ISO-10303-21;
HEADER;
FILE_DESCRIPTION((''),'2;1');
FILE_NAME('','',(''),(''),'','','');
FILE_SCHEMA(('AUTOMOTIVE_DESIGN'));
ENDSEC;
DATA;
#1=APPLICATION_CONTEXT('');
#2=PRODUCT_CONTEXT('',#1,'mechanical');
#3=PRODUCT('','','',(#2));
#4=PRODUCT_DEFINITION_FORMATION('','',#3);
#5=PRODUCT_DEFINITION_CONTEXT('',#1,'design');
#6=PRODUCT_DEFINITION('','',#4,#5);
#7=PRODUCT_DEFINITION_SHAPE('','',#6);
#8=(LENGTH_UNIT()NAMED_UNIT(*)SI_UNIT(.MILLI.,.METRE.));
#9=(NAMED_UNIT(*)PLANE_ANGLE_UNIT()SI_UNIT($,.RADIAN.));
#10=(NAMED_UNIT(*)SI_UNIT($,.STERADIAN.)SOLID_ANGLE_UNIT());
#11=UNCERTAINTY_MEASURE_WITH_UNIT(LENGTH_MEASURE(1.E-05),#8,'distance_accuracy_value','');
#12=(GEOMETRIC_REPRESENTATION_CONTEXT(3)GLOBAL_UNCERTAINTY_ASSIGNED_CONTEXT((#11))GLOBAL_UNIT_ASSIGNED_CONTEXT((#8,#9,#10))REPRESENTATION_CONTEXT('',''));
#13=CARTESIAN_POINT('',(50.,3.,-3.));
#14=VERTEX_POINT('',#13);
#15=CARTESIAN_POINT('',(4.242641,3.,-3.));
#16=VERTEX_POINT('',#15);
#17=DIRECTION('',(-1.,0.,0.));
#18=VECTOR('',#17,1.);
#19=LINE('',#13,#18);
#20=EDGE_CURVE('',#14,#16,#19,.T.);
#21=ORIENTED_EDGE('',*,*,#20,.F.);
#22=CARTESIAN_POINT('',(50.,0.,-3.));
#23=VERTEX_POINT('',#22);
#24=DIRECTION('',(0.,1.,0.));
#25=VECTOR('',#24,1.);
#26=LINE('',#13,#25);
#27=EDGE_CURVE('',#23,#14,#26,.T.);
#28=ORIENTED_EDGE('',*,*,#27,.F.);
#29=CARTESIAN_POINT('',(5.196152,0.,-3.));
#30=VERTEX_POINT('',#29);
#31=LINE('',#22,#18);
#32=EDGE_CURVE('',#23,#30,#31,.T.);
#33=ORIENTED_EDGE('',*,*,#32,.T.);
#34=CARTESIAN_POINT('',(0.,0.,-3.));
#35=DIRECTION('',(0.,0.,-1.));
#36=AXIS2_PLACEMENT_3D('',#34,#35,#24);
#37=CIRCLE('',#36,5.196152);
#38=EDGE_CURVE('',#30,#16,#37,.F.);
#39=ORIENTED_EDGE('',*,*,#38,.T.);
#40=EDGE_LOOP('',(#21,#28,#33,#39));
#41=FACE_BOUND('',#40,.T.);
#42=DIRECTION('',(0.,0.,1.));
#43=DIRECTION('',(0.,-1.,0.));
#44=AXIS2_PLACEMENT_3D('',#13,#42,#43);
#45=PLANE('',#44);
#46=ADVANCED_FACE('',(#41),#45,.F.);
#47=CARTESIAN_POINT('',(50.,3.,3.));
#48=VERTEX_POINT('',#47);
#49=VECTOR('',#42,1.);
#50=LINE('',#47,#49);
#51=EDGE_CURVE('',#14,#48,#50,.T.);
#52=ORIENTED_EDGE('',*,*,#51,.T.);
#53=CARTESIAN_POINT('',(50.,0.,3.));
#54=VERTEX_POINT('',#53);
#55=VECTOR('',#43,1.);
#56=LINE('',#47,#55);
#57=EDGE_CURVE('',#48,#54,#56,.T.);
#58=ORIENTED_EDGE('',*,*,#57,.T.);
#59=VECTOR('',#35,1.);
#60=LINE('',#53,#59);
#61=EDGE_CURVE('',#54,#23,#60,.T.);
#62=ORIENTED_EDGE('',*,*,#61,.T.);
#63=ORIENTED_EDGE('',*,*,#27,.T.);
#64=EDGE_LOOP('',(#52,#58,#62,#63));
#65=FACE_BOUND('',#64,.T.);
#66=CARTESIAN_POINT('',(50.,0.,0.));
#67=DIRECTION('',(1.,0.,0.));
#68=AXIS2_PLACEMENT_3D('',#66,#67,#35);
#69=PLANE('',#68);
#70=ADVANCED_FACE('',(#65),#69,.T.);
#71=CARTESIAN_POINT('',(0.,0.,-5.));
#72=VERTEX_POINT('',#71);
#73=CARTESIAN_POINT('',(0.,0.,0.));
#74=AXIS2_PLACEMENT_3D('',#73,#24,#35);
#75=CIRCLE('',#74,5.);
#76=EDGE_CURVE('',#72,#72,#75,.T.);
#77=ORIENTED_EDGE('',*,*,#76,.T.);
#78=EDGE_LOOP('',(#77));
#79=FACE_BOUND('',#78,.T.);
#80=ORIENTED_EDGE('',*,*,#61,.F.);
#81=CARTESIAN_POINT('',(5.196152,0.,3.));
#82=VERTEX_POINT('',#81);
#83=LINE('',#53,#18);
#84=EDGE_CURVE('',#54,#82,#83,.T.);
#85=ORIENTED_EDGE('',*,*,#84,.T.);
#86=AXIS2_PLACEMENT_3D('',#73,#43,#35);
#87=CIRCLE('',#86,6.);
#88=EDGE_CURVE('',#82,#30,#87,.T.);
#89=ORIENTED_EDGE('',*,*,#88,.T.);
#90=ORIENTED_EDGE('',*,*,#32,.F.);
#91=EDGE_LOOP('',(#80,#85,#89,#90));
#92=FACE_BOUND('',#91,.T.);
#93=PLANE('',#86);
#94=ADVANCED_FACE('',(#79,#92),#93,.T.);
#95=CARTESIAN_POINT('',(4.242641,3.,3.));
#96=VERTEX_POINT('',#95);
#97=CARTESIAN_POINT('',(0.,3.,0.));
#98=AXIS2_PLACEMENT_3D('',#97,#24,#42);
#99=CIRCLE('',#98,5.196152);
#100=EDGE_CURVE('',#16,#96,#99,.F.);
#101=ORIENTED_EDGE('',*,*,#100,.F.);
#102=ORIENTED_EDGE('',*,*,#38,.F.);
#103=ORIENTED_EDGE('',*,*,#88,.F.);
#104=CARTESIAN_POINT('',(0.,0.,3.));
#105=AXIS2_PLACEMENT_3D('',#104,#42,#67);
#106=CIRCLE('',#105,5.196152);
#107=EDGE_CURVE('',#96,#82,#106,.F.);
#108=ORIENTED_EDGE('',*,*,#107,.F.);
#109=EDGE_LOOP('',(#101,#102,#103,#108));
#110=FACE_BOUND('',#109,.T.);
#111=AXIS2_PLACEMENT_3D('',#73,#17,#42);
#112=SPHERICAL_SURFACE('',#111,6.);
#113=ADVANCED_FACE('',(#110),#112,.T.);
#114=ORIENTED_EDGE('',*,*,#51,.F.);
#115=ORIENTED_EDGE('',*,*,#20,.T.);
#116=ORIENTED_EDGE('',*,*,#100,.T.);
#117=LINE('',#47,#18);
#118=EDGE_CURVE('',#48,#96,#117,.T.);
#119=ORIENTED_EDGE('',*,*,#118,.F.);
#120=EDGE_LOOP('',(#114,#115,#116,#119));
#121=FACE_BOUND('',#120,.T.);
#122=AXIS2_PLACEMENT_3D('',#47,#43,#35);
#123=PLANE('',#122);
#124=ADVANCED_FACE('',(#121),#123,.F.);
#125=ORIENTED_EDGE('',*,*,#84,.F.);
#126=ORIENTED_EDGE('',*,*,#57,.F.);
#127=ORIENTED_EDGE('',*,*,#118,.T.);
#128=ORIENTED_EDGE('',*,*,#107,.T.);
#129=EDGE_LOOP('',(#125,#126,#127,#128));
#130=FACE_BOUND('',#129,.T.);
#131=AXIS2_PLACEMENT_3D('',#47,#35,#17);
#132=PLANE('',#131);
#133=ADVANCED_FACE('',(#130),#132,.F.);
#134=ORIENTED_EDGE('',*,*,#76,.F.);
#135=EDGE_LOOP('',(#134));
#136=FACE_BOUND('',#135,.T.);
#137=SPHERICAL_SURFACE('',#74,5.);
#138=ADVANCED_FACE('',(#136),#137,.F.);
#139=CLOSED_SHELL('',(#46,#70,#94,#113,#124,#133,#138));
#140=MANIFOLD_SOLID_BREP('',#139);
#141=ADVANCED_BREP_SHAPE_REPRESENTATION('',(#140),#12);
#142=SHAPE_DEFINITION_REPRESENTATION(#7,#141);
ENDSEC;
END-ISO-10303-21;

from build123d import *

# Parameters (mm, degrees)
REVOLVE1_ANGLE                  = 180
BOSS_EXTRUDE1_REACH             = 20.111
BOSS_EXTRUDE1_END_RADIUS        = 6
SKETCH2_W                       = 6
SKETCH2_H                       = 3
BOSS_EXTRUDE1_DIRECTION_2_DEPTH = 40


with BuildPart() as part:
    # Sketch1 → Revolve1 (revolve)
    with BuildSketch(Plane(origin=(0, 0, 0), x_dir=(1, 0, 0), z_dir=(0, 1, 0))):
        with BuildLine():
            Line((-6, 0), (-5, 0))
            ThreePointArc((-5, 0), (0, 5), (5, 0))
            Line((5, 0), (6, 0))
            ThreePointArc((6, 0), (0, 6), (-6, 0))
        make_face()
    revolve(axis=Axis((-6, 0, 0), (1, 0, 0)), revolution_arc=REVOLVE1_ANGLE)

    # Boss-Extrude1: up to this sphere (the profile starts outside it)
    boss_extrude1_end = Location((0, 0, 0)) * Sphere(BOSS_EXTRUDE1_END_RADIUS, mode=Mode.PRIVATE)
    # Sketch2 → Boss-Extrude1 (add, up to the surface)
    with BuildSketch(Plane(origin=(10, 0, 0), x_dir=(0, 0, -1), z_dir=(1, 0, 0)), mode=Mode.PRIVATE) as boss_extrude1_sk1:
        with Locations((0, 1.5)):
            Rectangle(SKETCH2_W, SKETCH2_H)
    boss_extrude1_tool1 = extrude(boss_extrude1_sk1.sketch, amount=-BOSS_EXTRUDE1_REACH, mode=Mode.PRIVATE) - boss_extrude1_end
    add(boss_extrude1_tool1.solids().sort_by_distance((10, 1.5, 0))[0])

    # Sketch2 → Boss-Extrude1 direction 2 (add)
    with BuildSketch(Plane(origin=(10, 0, 0), x_dir=(0, 0, -1), z_dir=(1, 0, 0))):
        with Locations((0, 1.5)):
            Rectangle(SKETCH2_W, SKETCH2_H)
    extrude(amount=BOSS_EXTRUDE1_DIRECTION_2_DEPTH)


solid = part.part
